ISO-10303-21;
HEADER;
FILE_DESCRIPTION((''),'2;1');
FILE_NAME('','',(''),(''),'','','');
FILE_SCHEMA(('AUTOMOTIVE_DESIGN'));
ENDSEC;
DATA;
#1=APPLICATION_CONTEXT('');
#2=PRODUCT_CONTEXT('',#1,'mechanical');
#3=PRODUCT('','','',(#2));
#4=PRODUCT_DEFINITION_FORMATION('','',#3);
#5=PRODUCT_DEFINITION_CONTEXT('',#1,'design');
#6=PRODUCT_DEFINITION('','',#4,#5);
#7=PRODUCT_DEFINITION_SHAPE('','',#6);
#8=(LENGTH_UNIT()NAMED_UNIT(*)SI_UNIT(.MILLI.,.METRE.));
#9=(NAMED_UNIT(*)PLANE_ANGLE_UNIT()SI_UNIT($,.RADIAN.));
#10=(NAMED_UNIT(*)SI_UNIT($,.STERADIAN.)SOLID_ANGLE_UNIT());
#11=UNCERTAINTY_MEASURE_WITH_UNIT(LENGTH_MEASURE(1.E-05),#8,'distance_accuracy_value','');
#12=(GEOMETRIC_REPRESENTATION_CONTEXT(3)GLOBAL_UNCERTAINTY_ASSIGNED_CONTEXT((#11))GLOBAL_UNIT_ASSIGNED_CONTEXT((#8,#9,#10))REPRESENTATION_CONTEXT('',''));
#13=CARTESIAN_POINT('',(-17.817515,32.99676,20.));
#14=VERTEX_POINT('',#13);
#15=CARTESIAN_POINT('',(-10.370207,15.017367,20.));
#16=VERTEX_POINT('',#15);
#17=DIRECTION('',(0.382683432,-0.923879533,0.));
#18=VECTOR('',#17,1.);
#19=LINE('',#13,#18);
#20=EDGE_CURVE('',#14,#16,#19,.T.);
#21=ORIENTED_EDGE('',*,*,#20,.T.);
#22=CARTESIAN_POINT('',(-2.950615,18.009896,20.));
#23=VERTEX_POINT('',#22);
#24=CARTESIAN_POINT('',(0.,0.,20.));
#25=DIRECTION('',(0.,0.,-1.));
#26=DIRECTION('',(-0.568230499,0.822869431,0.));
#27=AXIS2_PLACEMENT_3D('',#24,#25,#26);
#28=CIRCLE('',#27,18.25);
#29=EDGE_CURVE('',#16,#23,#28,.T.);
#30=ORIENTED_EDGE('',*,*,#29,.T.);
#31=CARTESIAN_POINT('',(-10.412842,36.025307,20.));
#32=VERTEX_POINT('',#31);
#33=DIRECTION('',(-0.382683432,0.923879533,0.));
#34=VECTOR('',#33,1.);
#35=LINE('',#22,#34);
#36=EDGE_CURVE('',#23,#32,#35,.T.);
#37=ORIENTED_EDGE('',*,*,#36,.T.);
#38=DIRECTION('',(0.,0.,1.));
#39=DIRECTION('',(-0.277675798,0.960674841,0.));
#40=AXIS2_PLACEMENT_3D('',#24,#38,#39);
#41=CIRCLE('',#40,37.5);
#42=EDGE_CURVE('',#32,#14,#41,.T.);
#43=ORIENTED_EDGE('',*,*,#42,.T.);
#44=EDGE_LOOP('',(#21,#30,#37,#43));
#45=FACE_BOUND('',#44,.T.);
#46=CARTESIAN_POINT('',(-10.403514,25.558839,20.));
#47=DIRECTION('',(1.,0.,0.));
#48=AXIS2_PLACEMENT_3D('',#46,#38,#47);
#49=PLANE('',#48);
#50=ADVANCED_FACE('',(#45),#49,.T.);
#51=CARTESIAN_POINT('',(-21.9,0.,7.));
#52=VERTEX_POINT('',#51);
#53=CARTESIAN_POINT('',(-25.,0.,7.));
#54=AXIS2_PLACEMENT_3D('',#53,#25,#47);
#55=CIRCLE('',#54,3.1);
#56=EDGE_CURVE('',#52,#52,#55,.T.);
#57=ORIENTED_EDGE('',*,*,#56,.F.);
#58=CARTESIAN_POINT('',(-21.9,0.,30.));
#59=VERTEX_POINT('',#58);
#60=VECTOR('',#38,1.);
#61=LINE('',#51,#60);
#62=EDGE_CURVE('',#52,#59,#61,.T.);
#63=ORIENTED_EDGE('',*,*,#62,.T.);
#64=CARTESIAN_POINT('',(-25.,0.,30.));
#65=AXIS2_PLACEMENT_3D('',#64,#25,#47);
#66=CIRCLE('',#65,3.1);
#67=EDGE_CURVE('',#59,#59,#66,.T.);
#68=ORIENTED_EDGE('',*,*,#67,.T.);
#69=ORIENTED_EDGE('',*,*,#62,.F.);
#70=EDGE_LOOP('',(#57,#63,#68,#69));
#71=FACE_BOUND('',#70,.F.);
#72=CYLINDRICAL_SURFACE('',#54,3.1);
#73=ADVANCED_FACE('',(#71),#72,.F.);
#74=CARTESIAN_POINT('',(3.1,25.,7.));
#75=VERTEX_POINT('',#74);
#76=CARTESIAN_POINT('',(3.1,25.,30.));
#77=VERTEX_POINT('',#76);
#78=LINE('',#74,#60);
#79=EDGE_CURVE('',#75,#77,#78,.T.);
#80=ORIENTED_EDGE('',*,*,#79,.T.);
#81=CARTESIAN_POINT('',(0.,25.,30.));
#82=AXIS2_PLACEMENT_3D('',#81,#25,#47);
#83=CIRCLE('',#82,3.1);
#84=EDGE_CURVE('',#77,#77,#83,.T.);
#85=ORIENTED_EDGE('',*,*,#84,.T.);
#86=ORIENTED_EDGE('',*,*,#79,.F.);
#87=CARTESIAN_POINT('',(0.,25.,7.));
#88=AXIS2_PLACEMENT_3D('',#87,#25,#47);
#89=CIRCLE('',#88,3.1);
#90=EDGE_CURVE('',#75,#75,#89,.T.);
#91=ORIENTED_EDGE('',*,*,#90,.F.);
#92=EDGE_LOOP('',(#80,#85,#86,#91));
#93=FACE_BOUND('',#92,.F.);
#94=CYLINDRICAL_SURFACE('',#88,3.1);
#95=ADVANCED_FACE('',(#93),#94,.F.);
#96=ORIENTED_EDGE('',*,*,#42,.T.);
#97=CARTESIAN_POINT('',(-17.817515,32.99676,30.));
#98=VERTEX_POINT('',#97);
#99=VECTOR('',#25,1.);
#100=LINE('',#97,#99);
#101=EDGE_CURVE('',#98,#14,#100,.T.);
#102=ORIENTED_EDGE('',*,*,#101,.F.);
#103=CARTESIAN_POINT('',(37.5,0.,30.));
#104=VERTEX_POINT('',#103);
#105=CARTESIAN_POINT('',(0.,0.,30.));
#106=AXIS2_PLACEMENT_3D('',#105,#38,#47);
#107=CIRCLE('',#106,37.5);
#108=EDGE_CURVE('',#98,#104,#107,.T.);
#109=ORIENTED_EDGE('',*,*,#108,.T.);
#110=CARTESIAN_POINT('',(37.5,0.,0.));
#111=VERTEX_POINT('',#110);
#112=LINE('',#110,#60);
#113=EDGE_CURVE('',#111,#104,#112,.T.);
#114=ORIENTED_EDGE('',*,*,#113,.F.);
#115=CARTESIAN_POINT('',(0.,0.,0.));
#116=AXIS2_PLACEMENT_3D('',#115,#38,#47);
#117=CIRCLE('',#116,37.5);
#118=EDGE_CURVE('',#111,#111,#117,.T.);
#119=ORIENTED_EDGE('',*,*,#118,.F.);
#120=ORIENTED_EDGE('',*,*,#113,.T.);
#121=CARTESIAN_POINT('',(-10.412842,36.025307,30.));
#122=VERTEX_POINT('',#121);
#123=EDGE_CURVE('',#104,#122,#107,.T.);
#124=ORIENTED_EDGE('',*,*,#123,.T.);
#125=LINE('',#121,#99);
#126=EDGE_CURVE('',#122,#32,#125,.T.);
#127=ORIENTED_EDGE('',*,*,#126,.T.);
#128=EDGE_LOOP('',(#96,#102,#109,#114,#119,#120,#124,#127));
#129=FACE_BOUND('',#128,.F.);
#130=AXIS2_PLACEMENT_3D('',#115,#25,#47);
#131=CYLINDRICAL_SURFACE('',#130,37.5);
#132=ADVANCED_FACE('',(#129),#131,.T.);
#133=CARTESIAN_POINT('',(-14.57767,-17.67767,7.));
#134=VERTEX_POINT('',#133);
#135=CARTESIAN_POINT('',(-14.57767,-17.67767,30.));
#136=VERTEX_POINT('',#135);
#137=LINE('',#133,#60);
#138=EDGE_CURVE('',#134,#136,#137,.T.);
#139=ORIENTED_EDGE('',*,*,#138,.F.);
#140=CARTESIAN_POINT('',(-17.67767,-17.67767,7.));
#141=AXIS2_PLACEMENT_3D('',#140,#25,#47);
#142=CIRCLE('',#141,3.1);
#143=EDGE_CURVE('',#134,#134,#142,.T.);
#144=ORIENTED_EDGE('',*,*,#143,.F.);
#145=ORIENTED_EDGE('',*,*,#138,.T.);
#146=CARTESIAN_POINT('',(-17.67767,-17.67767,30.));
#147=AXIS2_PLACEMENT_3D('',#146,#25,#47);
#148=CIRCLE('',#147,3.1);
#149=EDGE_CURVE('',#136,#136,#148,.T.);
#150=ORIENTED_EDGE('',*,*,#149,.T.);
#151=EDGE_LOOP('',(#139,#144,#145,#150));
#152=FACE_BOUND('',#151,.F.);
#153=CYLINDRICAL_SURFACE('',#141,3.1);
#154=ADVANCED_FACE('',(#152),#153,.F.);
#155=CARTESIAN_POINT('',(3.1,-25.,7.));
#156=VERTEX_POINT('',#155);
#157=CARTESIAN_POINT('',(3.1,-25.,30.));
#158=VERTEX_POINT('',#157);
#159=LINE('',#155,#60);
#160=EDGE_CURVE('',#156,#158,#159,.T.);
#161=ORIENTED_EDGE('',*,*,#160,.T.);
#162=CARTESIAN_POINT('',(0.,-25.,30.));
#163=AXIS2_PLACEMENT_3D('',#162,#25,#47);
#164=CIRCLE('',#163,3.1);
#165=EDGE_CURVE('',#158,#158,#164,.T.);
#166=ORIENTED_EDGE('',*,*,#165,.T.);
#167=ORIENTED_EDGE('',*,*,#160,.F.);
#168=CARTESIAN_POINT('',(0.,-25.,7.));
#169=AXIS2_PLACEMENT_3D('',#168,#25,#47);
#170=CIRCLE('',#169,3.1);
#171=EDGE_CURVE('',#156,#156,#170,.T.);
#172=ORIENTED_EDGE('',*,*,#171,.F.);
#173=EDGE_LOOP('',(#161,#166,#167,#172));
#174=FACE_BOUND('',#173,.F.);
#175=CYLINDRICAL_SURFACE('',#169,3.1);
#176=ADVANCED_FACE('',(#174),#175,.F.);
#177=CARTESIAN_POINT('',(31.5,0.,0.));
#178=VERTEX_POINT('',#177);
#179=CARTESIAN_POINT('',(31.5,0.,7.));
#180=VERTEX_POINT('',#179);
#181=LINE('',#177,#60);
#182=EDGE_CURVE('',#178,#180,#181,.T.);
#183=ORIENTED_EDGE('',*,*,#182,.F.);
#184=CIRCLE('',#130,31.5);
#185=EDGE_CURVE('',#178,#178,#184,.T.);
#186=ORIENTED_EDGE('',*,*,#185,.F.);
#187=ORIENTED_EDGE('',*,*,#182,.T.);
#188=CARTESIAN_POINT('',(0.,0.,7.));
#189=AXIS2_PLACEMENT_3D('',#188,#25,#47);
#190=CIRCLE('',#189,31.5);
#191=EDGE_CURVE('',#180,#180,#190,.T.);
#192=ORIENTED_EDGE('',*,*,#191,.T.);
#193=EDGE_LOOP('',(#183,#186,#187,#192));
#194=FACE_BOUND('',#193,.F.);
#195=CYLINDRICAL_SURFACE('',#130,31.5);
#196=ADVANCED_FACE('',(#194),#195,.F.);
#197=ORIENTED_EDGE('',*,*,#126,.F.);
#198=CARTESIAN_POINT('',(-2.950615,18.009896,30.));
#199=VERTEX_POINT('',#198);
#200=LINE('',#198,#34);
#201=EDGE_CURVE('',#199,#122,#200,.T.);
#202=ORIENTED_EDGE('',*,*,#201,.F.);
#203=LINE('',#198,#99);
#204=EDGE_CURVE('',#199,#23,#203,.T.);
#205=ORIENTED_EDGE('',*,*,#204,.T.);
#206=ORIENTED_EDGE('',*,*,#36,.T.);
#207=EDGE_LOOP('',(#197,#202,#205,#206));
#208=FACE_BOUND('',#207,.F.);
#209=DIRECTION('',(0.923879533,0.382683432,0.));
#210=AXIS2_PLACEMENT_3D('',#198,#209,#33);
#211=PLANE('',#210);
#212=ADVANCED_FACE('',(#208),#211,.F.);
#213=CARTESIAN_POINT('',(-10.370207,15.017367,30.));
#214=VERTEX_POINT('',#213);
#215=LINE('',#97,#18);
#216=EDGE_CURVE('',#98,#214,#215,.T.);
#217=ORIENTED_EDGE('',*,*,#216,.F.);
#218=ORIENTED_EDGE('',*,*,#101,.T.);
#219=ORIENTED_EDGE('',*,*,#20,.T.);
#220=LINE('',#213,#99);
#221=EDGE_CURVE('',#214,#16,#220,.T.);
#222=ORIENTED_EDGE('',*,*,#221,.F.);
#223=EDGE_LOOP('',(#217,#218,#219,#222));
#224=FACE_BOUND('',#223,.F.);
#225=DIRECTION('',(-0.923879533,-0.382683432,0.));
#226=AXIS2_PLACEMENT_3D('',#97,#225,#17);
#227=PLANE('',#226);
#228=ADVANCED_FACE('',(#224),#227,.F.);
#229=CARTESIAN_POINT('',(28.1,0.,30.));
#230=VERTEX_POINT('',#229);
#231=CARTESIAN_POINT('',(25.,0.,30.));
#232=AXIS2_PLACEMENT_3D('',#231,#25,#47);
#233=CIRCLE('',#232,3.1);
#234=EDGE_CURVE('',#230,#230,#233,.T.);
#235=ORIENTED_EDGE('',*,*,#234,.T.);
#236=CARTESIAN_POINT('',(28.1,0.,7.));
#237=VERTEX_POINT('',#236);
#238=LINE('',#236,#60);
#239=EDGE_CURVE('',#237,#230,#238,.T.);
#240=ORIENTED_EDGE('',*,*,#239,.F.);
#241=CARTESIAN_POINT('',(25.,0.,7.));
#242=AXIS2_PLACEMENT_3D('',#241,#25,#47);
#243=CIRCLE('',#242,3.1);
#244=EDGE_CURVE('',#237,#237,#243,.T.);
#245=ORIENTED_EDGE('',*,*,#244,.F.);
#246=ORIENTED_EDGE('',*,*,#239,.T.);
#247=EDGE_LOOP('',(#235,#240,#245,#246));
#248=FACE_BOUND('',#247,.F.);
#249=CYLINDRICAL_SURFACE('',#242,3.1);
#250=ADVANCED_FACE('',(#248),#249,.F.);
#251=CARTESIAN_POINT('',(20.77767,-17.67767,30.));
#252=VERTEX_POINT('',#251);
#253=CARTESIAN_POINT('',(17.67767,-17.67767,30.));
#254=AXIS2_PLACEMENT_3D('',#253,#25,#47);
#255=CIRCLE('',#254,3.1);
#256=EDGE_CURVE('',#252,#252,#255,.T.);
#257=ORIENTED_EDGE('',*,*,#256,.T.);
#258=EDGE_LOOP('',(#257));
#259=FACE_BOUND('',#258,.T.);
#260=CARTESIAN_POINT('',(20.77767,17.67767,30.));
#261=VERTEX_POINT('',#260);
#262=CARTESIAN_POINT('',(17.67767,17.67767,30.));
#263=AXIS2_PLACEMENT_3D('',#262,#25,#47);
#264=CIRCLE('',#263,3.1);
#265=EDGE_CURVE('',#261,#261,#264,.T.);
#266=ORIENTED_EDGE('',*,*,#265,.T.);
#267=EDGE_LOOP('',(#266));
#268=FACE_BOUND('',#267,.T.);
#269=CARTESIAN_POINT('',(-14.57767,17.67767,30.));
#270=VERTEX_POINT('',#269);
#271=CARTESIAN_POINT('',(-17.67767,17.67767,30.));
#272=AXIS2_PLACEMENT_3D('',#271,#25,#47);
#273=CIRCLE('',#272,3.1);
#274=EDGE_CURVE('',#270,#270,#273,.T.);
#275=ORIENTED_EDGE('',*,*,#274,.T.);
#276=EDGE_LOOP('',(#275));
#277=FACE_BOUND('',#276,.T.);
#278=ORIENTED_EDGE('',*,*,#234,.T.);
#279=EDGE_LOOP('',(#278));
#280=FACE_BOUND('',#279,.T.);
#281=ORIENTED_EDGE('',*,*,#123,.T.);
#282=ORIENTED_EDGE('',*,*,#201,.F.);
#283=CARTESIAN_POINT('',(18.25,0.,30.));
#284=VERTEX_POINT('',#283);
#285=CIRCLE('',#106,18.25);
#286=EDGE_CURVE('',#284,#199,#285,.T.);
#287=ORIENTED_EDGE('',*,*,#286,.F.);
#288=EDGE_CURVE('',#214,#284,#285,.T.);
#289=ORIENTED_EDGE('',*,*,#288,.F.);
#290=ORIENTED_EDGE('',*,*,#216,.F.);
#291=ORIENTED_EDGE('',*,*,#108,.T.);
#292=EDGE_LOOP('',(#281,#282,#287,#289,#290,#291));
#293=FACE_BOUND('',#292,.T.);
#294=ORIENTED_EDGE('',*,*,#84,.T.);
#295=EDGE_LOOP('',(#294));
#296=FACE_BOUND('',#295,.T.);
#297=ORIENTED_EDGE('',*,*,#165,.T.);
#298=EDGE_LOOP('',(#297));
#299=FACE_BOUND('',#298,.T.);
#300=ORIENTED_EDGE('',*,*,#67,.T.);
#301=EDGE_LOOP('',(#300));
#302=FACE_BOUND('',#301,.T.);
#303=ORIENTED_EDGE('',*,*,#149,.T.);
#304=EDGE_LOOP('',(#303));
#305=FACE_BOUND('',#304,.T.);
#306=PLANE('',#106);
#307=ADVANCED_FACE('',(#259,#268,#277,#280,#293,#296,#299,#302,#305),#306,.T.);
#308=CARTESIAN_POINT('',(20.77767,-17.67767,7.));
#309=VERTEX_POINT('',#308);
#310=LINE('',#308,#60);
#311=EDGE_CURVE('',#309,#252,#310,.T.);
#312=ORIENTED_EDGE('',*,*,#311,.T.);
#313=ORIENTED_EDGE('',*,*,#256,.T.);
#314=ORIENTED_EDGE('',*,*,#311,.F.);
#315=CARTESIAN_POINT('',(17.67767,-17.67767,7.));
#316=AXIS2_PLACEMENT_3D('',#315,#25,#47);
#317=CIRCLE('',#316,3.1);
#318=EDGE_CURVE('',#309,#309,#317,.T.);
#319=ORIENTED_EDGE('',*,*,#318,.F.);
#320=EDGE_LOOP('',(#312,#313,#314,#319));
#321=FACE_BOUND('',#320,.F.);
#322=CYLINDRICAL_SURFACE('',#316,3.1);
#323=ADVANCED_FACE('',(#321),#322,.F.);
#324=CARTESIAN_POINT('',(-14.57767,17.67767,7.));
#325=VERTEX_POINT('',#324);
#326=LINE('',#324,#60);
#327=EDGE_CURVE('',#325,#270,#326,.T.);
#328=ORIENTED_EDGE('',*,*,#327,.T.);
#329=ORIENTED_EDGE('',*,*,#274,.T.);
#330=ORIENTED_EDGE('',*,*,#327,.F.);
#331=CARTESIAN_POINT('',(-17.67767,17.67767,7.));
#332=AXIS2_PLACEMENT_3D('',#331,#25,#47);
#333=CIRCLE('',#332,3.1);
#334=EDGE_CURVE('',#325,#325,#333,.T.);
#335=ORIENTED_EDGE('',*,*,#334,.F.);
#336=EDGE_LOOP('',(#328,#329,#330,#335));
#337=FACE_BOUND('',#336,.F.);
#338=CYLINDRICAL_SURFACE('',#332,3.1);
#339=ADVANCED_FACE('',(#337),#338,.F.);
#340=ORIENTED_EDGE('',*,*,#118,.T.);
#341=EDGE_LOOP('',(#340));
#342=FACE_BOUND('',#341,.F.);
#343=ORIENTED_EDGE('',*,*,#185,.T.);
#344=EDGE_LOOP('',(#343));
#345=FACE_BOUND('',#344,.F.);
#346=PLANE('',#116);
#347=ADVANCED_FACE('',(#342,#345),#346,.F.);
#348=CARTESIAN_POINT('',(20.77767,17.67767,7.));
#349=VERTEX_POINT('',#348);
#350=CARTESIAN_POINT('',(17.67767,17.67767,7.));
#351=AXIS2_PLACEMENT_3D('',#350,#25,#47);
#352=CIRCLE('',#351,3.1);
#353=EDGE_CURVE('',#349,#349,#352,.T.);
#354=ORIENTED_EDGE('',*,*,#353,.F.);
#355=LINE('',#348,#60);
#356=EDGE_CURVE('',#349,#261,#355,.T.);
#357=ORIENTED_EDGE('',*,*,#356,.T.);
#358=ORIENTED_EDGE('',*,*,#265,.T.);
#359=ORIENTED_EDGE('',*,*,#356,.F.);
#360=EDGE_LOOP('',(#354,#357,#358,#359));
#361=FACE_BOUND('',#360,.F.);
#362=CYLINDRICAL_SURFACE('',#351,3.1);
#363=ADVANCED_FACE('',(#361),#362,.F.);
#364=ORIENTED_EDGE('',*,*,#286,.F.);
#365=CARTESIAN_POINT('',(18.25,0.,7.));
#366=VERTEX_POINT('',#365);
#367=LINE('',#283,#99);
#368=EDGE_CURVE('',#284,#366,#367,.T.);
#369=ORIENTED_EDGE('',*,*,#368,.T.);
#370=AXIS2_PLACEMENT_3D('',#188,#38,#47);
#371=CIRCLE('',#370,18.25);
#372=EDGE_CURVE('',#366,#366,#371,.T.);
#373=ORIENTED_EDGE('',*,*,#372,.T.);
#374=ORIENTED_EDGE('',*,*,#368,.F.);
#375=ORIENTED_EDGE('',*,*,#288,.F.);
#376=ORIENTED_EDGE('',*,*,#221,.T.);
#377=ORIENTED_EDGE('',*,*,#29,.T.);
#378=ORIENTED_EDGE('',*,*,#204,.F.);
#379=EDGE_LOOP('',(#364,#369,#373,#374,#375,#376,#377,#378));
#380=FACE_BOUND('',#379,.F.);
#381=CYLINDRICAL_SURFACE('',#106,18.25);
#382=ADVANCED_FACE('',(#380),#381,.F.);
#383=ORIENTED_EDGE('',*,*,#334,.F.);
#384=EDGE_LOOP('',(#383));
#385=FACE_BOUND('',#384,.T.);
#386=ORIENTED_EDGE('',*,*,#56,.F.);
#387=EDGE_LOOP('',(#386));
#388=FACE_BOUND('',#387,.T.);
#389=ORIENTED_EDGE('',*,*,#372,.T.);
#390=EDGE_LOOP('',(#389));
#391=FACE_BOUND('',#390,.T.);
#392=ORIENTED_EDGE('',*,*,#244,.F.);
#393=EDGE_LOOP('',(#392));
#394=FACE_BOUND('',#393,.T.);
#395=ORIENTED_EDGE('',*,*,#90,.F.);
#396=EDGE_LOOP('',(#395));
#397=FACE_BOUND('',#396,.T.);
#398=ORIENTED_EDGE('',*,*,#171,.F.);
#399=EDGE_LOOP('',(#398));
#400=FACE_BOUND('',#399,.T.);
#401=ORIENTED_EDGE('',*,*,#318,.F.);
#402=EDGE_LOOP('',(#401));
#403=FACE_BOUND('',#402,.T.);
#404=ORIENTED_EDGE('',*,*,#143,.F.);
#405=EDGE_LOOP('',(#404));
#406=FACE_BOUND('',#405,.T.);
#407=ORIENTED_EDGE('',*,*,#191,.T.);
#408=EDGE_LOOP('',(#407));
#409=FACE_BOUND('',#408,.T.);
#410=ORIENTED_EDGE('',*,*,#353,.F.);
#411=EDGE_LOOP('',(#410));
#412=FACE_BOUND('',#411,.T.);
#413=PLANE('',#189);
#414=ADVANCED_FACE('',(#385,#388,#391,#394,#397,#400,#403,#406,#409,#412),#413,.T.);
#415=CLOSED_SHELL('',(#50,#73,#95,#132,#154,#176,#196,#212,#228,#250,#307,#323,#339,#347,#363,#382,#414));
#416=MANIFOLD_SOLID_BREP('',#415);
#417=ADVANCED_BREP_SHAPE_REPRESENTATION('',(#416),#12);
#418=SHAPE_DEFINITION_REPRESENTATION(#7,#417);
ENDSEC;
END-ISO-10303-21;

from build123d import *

# Parameters (mm, degrees)
F0_R     = 37.5
F1_DEPTH = 30
F2_R     = 31.5
F3_DEPTH = 7
F4_R     = 3.1
F5_DEPTH = 23
F6_R     = 18.25
F7_DEPTH = 23
F9_DEPTH = 10


with BuildPart() as f1:
    # F0 (on Top) → F1 (new body)
    with BuildSketch(Plane.XY):
        Circle(F0_R)
    extrude(amount=F1_DEPTH)

    # F2 (on face) → F3 (cut)
    with BuildSketch(Plane(origin=(0, 0, 0), x_dir=(1, 0, 0), z_dir=(0, 0, -1))):
        Circle(F2_R)
    extrude(amount=-F3_DEPTH, mode=Mode.SUBTRACT)

    # F4 (on face) → F5 (cut, through all)
    with BuildSketch(Plane(origin=(0, 0, 7), x_dir=(1, 0, 0), z_dir=(0, 0, -1))):
        with Locations((25, 0)):
            Circle(F4_R)
        with Locations((17.6776695297, 17.6776695297)):
            Circle(F4_R)
        with Locations((0, 25)):
            Circle(F4_R)
        with Locations((-17.6776695297, 17.6776695297)):
            Circle(F4_R)
        with Locations((-25, 0)):
            Circle(F4_R)
        with Locations((-17.6776695297, -17.6776695297)):
            Circle(F4_R)
        with Locations((0, -25)):
            Circle(F4_R)
        with Locations((17.6776695297, -17.6776695297)):
            Circle(F4_R)
    extrude(amount=-F5_DEPTH, mode=Mode.SUBTRACT)

    # F6 (on face) → F7 (cut, through all)
    with BuildSketch(Plane.XY.offset(30)):
        Circle(F6_R)
    extrude(amount=-F7_DEPTH, mode=Mode.SUBTRACT)

    # F8 (on face) → F9 (cut)
    with BuildSketch(Plane.XY.offset(30)):
        with BuildLine():
            Line((-2.9506152383, 18.0098964382), (-10.41284244, 36.0253065541))
            ThreePointArc((-10.41284244, 36.0253065541), (-14.1961717752, 34.7090579954), (-17.8175149302, 32.9967598669))
            Line((-17.8175149302, 32.9967598669), (-10.3702066072, 15.0173671103))
            ThreePointArc((-10.3702066072, 15.0173671103), (-6.8264105945, 16.9252065983), (-2.9506152383, 18.0098964382))
        make_face()
    extrude(amount=-F9_DEPTH, mode=Mode.SUBTRACT)


solid = f1.part
